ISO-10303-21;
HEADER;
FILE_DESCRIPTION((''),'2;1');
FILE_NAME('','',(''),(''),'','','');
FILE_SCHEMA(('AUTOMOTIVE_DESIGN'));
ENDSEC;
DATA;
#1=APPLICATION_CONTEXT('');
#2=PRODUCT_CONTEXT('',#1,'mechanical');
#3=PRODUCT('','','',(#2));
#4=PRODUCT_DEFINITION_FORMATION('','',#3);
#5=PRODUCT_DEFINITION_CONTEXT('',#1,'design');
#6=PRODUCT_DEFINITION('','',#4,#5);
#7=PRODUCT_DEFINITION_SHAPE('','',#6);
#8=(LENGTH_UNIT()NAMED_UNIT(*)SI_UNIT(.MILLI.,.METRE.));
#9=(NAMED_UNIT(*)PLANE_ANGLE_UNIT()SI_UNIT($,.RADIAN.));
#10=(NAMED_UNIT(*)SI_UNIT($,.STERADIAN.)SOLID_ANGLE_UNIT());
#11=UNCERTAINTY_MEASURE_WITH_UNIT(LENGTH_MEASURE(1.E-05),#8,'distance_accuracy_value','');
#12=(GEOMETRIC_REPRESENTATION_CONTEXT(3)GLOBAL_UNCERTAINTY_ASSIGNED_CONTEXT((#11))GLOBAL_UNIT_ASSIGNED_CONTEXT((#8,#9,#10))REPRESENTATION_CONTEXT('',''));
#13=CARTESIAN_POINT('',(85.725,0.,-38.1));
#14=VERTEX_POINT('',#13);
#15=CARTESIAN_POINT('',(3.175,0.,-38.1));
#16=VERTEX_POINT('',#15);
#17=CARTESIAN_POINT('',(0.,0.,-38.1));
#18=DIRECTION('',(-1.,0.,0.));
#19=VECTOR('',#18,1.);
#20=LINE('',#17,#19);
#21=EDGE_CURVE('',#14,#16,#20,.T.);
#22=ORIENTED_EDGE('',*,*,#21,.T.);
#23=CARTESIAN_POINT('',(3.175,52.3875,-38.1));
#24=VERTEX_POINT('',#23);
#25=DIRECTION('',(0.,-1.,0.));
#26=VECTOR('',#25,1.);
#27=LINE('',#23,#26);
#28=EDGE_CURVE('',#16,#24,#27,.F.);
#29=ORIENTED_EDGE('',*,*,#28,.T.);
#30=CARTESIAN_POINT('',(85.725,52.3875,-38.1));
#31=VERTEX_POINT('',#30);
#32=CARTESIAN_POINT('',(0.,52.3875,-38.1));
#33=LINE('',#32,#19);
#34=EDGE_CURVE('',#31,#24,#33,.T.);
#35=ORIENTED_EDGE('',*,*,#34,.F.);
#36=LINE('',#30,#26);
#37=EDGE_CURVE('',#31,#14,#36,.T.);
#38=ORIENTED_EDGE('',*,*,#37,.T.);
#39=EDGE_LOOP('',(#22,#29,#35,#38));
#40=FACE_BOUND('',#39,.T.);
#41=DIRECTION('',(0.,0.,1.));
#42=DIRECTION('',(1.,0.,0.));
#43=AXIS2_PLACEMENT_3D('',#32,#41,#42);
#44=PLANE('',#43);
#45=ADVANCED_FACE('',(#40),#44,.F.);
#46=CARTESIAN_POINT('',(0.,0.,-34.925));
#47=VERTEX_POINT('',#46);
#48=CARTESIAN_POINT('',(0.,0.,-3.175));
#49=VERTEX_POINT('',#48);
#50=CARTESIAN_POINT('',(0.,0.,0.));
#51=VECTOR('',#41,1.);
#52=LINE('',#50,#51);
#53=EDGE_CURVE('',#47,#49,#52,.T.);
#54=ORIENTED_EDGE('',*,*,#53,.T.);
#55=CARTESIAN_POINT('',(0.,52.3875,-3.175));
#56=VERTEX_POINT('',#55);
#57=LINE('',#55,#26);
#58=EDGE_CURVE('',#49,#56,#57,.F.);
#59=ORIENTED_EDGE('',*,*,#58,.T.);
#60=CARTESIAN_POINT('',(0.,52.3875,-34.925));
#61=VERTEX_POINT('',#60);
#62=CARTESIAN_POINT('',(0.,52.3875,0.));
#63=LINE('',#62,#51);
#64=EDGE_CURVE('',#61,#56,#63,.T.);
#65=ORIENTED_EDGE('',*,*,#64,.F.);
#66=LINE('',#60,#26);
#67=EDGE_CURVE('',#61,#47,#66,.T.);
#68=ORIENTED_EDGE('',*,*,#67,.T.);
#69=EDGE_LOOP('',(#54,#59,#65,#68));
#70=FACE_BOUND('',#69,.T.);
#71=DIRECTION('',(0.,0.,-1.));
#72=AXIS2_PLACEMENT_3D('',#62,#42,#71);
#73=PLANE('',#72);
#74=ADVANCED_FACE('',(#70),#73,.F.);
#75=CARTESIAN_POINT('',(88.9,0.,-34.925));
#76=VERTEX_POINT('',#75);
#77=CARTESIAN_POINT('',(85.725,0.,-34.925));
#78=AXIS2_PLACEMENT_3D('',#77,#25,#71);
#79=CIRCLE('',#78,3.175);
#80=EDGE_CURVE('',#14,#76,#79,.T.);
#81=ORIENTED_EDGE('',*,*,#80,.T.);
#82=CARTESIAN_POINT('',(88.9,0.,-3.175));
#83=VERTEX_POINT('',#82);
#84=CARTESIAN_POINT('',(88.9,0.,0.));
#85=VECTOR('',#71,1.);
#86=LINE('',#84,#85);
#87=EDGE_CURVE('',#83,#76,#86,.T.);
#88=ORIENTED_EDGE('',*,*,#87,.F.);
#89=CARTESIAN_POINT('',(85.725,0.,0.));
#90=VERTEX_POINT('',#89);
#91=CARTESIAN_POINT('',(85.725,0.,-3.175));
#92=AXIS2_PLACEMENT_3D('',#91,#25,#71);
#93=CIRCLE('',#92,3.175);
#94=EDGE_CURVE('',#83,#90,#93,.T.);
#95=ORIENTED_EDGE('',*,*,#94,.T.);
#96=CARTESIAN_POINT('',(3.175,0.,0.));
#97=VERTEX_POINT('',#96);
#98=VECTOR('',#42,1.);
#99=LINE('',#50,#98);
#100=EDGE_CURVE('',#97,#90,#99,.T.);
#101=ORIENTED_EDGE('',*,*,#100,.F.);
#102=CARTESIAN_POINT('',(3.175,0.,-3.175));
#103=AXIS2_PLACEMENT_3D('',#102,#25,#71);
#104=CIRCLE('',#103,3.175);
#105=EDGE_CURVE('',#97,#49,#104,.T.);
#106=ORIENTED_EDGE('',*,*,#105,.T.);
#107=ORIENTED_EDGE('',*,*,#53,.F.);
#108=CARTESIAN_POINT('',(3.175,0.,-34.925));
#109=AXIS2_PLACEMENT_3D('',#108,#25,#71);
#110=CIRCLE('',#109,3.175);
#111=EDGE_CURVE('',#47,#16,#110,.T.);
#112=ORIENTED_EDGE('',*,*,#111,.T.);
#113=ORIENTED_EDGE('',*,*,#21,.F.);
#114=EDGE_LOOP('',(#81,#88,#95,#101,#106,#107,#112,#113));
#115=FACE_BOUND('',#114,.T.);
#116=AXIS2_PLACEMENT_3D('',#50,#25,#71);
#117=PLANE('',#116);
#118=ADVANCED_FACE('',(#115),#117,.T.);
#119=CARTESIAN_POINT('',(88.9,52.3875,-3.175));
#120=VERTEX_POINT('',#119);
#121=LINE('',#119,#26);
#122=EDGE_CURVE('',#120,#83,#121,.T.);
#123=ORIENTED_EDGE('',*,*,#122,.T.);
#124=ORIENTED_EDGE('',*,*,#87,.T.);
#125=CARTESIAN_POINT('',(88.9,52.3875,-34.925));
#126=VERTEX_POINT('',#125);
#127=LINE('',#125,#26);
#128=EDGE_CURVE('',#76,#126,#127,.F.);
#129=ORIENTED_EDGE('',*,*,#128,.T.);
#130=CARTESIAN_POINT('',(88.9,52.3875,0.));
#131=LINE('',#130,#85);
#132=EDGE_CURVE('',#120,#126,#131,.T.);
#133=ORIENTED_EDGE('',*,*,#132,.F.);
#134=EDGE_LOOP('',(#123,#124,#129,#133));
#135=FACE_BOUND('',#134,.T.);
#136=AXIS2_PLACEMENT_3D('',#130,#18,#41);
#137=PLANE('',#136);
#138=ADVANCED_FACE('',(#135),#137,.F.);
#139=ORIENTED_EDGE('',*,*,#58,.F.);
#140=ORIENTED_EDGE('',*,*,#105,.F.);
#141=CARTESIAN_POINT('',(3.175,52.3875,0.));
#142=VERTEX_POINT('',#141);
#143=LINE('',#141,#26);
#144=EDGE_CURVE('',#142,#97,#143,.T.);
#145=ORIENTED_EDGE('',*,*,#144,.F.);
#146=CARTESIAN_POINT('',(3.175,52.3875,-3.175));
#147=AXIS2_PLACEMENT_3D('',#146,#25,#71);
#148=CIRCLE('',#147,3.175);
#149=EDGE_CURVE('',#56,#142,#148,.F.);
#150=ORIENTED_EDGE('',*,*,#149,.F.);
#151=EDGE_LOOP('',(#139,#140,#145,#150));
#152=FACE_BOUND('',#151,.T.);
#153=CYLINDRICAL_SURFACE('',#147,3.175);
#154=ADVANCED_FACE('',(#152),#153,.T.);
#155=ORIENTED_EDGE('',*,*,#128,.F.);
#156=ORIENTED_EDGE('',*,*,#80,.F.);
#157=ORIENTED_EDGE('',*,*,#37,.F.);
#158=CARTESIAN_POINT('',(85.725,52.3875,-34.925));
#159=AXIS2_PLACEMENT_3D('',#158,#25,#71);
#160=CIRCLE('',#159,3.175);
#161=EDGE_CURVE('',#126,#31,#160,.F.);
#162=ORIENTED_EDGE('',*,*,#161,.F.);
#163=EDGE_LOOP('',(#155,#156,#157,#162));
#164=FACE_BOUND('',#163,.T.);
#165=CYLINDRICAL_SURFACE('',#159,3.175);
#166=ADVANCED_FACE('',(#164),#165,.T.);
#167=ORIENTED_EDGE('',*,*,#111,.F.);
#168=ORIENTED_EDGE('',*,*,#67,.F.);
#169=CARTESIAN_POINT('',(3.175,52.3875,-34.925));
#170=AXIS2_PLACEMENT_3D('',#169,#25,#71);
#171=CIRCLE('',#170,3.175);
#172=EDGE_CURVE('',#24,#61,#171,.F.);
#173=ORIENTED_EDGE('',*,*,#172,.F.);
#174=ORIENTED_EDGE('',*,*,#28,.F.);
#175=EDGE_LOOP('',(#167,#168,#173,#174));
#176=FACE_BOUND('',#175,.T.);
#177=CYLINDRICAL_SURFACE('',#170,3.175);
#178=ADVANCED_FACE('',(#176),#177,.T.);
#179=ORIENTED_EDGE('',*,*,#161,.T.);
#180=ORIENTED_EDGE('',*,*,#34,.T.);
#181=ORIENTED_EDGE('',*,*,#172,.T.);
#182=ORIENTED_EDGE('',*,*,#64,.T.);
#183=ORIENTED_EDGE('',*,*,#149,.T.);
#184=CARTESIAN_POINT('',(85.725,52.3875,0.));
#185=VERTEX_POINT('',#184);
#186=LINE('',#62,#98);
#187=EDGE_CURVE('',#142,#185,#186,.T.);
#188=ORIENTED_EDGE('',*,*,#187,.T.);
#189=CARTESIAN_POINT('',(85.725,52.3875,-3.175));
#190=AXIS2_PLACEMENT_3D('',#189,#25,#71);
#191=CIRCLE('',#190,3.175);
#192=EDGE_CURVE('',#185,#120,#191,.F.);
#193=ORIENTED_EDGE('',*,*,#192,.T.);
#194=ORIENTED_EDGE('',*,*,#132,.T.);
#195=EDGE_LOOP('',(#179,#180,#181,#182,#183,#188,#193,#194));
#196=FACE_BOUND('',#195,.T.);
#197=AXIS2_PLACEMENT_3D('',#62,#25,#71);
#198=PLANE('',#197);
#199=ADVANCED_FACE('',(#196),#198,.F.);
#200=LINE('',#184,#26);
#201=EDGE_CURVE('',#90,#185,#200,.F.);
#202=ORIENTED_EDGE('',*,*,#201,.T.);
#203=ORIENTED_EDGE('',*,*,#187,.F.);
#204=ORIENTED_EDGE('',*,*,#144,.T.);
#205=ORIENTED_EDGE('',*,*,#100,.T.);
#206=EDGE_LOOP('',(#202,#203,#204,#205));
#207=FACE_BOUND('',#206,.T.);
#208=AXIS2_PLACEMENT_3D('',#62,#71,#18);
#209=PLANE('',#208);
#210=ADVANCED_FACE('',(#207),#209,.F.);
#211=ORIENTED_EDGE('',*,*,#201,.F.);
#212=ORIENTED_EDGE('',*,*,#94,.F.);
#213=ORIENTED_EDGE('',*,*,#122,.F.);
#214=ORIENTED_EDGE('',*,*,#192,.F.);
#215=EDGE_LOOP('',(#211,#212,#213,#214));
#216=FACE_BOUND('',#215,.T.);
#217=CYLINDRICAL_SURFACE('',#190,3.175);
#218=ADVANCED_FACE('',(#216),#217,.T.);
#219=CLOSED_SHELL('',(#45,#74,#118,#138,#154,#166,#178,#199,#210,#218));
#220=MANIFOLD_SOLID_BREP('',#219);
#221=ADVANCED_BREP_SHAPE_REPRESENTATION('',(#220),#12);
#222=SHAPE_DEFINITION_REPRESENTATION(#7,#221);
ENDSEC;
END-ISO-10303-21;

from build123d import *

# Parameters (mm, degrees)
SKETCH2_W           = 88.9
SKETCH2_H           = 38.1
BOSS_EXTRUDE1_DEPTH = 52.3875
FILLET1_R           = 3.175


with BuildPart() as part:
    # Sketch2 → Boss-Extrude1 (new body)
    with BuildSketch(Plane(origin=(0, 0, 0), x_dir=(1, 0, 0), z_dir=(0, 1, 0))):
        with Locations((44.45, 19.05)):
            Rectangle(SKETCH2_W, SKETCH2_H)
    extrude(amount=BOSS_EXTRUDE1_DEPTH)

    # Fillet1
    fillet1_edges = [part.edges().sort_by_distance(p)[0] for p in [
        (0, 26.19375, -38.1),
        (88.9, 26.19375, -38.1),
        (88.9, 26.19375, 0),
        (0, 26.19375, 0),
    ]]
    fillet(fillet1_edges, radius=FILLET1_R)


solid = part.part
